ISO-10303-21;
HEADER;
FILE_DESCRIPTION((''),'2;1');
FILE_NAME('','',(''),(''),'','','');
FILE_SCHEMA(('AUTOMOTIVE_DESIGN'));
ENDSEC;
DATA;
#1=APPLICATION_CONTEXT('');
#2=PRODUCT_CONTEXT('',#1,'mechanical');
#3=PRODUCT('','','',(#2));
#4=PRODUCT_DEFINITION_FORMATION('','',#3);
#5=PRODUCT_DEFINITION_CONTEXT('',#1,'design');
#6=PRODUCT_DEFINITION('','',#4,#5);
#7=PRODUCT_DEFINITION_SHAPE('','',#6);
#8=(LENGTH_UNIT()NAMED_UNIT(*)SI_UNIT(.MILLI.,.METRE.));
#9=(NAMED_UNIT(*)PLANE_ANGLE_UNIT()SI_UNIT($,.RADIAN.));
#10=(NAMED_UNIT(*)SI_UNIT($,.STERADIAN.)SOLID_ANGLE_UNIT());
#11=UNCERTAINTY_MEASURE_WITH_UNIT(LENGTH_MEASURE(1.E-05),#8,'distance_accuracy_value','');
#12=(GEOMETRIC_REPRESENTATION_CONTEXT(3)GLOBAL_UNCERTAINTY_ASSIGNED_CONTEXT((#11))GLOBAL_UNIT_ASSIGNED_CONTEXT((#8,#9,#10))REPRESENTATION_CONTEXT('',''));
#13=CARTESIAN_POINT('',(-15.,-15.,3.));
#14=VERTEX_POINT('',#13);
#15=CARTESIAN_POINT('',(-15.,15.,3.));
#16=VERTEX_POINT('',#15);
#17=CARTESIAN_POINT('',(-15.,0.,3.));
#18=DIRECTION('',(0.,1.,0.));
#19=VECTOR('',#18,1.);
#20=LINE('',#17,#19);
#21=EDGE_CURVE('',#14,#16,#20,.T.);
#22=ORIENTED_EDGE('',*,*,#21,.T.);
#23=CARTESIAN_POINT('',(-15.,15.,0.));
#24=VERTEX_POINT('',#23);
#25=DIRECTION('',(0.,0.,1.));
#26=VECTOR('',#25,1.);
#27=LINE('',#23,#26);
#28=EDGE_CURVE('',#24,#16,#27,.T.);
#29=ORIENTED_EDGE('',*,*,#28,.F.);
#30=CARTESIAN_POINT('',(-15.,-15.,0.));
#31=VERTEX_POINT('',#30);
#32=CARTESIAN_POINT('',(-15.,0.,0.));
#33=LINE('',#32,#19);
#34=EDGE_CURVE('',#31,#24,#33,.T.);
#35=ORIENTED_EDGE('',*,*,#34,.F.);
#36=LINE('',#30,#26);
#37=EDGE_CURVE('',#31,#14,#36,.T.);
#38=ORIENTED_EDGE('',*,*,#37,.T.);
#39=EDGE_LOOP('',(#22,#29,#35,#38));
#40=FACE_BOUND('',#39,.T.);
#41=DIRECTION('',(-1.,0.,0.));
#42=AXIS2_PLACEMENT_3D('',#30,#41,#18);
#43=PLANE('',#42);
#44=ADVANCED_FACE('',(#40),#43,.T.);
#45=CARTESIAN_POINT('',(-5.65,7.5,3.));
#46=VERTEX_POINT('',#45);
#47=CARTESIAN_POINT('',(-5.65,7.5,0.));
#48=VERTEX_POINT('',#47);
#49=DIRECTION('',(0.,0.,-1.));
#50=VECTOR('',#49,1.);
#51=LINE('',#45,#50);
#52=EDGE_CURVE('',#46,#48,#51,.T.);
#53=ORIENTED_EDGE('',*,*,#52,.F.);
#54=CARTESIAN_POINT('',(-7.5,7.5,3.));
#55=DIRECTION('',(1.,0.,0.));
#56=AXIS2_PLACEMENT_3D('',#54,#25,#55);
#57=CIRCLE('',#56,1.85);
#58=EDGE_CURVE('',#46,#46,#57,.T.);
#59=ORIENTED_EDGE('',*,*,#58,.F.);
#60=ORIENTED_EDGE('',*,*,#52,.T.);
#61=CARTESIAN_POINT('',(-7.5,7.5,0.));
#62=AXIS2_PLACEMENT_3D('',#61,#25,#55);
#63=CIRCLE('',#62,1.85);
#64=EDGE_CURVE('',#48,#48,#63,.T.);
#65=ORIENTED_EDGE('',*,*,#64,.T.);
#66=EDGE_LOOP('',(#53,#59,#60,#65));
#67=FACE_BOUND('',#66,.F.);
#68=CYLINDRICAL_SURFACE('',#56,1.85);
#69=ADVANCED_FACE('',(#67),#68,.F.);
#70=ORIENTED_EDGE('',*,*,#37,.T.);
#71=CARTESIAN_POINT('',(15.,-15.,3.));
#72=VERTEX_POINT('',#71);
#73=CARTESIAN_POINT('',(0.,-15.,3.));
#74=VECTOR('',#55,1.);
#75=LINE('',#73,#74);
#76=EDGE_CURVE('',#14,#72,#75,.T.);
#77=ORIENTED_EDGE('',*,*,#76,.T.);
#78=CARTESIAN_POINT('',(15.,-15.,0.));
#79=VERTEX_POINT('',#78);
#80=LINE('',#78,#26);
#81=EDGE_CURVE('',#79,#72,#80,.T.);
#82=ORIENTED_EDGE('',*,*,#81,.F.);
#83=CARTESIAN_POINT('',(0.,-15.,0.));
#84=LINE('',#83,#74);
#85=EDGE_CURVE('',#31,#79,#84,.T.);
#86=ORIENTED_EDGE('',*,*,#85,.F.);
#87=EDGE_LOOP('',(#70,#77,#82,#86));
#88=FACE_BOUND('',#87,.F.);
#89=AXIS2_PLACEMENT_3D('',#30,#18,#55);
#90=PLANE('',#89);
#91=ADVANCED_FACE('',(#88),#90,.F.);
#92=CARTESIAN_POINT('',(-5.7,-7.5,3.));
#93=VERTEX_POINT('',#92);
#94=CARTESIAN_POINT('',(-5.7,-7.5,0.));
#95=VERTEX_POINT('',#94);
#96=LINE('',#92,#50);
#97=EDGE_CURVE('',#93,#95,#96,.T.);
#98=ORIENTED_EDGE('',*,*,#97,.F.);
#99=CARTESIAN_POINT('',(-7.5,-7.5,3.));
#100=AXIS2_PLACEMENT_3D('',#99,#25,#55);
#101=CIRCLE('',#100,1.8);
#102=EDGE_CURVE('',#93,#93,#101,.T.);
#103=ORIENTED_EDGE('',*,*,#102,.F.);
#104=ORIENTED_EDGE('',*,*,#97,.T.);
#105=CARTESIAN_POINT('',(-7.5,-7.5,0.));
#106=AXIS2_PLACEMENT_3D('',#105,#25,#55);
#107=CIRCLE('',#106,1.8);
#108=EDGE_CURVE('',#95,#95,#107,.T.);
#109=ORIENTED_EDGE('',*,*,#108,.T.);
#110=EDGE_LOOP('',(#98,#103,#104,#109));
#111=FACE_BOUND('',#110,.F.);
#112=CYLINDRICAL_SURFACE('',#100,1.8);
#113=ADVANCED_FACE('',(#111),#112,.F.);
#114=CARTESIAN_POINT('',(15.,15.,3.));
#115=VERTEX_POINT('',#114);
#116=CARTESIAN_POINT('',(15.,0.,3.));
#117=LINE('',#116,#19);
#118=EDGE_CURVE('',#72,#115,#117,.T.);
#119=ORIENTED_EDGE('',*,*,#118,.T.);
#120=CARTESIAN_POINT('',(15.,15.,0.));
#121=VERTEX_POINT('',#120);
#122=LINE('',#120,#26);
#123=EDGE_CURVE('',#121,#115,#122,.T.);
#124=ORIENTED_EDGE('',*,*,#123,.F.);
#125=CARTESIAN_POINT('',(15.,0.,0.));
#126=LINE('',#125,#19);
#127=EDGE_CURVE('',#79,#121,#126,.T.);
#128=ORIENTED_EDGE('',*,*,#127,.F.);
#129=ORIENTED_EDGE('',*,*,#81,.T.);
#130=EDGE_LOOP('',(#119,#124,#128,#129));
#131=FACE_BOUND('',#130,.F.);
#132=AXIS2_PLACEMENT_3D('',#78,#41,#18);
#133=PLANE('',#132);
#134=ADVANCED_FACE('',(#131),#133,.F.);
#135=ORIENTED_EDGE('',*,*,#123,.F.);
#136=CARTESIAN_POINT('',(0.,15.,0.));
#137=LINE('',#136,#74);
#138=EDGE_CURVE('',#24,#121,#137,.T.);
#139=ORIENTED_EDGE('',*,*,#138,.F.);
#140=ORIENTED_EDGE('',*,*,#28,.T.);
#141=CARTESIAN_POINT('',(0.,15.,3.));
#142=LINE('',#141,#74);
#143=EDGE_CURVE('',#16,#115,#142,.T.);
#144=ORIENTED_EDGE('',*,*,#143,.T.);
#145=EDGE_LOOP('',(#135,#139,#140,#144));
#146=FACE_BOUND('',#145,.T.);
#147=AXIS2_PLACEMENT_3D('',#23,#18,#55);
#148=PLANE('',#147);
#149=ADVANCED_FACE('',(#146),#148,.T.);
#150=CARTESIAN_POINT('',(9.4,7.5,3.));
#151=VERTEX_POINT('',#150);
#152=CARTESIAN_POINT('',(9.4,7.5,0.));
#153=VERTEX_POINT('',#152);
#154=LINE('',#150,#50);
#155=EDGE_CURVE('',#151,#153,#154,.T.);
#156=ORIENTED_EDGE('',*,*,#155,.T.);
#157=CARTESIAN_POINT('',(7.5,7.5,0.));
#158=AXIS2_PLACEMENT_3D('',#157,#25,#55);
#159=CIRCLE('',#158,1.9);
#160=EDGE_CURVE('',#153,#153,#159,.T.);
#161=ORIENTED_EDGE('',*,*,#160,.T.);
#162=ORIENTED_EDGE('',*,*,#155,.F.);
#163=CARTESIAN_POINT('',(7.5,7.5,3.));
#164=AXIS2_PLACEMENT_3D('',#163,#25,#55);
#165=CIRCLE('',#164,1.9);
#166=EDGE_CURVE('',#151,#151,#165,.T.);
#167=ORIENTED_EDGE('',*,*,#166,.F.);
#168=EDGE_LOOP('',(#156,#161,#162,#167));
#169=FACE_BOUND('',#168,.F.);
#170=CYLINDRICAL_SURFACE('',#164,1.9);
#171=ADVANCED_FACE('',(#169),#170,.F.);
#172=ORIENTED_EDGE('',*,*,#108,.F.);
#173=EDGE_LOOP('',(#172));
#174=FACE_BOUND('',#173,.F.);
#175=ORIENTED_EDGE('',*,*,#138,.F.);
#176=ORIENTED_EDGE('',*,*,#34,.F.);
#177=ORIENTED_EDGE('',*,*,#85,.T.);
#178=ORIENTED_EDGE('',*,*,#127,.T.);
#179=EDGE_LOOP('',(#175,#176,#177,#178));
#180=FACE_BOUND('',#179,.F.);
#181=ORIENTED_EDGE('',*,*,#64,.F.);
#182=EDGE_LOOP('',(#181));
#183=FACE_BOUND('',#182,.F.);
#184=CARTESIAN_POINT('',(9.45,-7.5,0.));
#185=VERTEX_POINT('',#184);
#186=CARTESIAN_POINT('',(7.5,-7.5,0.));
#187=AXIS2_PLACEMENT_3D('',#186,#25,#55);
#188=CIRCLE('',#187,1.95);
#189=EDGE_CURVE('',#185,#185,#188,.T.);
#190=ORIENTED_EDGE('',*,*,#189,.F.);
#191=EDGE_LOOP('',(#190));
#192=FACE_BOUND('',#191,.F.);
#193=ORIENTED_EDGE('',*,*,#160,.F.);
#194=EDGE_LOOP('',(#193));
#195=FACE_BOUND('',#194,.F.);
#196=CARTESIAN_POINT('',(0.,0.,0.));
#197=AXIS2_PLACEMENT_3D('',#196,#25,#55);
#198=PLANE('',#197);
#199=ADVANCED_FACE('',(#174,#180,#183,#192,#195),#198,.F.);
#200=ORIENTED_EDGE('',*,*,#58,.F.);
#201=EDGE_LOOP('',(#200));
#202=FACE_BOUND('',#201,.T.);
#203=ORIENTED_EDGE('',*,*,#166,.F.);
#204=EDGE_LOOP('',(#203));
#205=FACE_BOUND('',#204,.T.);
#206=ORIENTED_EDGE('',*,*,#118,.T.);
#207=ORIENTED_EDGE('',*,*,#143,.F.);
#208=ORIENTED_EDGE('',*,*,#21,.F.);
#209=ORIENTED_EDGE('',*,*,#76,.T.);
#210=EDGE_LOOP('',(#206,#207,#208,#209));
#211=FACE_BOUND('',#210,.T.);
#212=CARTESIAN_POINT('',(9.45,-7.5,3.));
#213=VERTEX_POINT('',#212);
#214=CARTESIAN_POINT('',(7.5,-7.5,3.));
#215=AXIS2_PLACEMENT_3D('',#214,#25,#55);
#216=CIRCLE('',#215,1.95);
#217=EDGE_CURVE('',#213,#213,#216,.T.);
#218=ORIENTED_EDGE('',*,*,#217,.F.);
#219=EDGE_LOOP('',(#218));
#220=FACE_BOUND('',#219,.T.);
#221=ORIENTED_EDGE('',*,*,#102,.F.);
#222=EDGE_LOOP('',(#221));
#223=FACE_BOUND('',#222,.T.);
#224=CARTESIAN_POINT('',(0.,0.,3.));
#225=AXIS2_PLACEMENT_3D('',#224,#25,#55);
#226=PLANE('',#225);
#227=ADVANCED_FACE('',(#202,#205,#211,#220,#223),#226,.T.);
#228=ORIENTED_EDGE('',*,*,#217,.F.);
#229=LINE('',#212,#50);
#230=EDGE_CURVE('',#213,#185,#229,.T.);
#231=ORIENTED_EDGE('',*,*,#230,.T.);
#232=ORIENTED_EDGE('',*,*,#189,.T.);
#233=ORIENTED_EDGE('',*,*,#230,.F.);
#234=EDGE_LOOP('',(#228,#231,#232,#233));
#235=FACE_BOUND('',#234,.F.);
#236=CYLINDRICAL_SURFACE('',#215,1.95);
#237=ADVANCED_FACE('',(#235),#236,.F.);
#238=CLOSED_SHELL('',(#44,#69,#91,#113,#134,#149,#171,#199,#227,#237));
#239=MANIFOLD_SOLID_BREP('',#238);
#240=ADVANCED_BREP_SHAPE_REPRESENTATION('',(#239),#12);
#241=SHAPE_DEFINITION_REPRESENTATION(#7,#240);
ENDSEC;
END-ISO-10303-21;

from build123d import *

# Parameters (mm, degrees)
F0_W     = 30
F0_H     = 30
F2_DEPTH = 3
F3_R     = 1.8
F3_R_2   = 1.95
F3_R_3   = 1.85
F3_R_4   = 1.9
F4_DEPTH = 3


with BuildPart() as f2:
    # F0 (on Top) → F2 (new body)
    with BuildSketch(Plane.XY):
        Rectangle(F0_W, F0_H)
    extrude(amount=F2_DEPTH)

    # F3 (on face) → F4 (cut)
    with BuildSketch(Plane.XY.offset(3)):
        with Locations((-7.5, -7.5)):
            Circle(F3_R)
        with Locations((7.5, -7.5)):
            Circle(F3_R_2)
        with Locations((-7.5, 7.5)):
            Circle(F3_R_3)
        with Locations((7.5, 7.5)):
            Circle(F3_R_4)
    extrude(amount=-F4_DEPTH, mode=Mode.SUBTRACT)


solid = f2.part
